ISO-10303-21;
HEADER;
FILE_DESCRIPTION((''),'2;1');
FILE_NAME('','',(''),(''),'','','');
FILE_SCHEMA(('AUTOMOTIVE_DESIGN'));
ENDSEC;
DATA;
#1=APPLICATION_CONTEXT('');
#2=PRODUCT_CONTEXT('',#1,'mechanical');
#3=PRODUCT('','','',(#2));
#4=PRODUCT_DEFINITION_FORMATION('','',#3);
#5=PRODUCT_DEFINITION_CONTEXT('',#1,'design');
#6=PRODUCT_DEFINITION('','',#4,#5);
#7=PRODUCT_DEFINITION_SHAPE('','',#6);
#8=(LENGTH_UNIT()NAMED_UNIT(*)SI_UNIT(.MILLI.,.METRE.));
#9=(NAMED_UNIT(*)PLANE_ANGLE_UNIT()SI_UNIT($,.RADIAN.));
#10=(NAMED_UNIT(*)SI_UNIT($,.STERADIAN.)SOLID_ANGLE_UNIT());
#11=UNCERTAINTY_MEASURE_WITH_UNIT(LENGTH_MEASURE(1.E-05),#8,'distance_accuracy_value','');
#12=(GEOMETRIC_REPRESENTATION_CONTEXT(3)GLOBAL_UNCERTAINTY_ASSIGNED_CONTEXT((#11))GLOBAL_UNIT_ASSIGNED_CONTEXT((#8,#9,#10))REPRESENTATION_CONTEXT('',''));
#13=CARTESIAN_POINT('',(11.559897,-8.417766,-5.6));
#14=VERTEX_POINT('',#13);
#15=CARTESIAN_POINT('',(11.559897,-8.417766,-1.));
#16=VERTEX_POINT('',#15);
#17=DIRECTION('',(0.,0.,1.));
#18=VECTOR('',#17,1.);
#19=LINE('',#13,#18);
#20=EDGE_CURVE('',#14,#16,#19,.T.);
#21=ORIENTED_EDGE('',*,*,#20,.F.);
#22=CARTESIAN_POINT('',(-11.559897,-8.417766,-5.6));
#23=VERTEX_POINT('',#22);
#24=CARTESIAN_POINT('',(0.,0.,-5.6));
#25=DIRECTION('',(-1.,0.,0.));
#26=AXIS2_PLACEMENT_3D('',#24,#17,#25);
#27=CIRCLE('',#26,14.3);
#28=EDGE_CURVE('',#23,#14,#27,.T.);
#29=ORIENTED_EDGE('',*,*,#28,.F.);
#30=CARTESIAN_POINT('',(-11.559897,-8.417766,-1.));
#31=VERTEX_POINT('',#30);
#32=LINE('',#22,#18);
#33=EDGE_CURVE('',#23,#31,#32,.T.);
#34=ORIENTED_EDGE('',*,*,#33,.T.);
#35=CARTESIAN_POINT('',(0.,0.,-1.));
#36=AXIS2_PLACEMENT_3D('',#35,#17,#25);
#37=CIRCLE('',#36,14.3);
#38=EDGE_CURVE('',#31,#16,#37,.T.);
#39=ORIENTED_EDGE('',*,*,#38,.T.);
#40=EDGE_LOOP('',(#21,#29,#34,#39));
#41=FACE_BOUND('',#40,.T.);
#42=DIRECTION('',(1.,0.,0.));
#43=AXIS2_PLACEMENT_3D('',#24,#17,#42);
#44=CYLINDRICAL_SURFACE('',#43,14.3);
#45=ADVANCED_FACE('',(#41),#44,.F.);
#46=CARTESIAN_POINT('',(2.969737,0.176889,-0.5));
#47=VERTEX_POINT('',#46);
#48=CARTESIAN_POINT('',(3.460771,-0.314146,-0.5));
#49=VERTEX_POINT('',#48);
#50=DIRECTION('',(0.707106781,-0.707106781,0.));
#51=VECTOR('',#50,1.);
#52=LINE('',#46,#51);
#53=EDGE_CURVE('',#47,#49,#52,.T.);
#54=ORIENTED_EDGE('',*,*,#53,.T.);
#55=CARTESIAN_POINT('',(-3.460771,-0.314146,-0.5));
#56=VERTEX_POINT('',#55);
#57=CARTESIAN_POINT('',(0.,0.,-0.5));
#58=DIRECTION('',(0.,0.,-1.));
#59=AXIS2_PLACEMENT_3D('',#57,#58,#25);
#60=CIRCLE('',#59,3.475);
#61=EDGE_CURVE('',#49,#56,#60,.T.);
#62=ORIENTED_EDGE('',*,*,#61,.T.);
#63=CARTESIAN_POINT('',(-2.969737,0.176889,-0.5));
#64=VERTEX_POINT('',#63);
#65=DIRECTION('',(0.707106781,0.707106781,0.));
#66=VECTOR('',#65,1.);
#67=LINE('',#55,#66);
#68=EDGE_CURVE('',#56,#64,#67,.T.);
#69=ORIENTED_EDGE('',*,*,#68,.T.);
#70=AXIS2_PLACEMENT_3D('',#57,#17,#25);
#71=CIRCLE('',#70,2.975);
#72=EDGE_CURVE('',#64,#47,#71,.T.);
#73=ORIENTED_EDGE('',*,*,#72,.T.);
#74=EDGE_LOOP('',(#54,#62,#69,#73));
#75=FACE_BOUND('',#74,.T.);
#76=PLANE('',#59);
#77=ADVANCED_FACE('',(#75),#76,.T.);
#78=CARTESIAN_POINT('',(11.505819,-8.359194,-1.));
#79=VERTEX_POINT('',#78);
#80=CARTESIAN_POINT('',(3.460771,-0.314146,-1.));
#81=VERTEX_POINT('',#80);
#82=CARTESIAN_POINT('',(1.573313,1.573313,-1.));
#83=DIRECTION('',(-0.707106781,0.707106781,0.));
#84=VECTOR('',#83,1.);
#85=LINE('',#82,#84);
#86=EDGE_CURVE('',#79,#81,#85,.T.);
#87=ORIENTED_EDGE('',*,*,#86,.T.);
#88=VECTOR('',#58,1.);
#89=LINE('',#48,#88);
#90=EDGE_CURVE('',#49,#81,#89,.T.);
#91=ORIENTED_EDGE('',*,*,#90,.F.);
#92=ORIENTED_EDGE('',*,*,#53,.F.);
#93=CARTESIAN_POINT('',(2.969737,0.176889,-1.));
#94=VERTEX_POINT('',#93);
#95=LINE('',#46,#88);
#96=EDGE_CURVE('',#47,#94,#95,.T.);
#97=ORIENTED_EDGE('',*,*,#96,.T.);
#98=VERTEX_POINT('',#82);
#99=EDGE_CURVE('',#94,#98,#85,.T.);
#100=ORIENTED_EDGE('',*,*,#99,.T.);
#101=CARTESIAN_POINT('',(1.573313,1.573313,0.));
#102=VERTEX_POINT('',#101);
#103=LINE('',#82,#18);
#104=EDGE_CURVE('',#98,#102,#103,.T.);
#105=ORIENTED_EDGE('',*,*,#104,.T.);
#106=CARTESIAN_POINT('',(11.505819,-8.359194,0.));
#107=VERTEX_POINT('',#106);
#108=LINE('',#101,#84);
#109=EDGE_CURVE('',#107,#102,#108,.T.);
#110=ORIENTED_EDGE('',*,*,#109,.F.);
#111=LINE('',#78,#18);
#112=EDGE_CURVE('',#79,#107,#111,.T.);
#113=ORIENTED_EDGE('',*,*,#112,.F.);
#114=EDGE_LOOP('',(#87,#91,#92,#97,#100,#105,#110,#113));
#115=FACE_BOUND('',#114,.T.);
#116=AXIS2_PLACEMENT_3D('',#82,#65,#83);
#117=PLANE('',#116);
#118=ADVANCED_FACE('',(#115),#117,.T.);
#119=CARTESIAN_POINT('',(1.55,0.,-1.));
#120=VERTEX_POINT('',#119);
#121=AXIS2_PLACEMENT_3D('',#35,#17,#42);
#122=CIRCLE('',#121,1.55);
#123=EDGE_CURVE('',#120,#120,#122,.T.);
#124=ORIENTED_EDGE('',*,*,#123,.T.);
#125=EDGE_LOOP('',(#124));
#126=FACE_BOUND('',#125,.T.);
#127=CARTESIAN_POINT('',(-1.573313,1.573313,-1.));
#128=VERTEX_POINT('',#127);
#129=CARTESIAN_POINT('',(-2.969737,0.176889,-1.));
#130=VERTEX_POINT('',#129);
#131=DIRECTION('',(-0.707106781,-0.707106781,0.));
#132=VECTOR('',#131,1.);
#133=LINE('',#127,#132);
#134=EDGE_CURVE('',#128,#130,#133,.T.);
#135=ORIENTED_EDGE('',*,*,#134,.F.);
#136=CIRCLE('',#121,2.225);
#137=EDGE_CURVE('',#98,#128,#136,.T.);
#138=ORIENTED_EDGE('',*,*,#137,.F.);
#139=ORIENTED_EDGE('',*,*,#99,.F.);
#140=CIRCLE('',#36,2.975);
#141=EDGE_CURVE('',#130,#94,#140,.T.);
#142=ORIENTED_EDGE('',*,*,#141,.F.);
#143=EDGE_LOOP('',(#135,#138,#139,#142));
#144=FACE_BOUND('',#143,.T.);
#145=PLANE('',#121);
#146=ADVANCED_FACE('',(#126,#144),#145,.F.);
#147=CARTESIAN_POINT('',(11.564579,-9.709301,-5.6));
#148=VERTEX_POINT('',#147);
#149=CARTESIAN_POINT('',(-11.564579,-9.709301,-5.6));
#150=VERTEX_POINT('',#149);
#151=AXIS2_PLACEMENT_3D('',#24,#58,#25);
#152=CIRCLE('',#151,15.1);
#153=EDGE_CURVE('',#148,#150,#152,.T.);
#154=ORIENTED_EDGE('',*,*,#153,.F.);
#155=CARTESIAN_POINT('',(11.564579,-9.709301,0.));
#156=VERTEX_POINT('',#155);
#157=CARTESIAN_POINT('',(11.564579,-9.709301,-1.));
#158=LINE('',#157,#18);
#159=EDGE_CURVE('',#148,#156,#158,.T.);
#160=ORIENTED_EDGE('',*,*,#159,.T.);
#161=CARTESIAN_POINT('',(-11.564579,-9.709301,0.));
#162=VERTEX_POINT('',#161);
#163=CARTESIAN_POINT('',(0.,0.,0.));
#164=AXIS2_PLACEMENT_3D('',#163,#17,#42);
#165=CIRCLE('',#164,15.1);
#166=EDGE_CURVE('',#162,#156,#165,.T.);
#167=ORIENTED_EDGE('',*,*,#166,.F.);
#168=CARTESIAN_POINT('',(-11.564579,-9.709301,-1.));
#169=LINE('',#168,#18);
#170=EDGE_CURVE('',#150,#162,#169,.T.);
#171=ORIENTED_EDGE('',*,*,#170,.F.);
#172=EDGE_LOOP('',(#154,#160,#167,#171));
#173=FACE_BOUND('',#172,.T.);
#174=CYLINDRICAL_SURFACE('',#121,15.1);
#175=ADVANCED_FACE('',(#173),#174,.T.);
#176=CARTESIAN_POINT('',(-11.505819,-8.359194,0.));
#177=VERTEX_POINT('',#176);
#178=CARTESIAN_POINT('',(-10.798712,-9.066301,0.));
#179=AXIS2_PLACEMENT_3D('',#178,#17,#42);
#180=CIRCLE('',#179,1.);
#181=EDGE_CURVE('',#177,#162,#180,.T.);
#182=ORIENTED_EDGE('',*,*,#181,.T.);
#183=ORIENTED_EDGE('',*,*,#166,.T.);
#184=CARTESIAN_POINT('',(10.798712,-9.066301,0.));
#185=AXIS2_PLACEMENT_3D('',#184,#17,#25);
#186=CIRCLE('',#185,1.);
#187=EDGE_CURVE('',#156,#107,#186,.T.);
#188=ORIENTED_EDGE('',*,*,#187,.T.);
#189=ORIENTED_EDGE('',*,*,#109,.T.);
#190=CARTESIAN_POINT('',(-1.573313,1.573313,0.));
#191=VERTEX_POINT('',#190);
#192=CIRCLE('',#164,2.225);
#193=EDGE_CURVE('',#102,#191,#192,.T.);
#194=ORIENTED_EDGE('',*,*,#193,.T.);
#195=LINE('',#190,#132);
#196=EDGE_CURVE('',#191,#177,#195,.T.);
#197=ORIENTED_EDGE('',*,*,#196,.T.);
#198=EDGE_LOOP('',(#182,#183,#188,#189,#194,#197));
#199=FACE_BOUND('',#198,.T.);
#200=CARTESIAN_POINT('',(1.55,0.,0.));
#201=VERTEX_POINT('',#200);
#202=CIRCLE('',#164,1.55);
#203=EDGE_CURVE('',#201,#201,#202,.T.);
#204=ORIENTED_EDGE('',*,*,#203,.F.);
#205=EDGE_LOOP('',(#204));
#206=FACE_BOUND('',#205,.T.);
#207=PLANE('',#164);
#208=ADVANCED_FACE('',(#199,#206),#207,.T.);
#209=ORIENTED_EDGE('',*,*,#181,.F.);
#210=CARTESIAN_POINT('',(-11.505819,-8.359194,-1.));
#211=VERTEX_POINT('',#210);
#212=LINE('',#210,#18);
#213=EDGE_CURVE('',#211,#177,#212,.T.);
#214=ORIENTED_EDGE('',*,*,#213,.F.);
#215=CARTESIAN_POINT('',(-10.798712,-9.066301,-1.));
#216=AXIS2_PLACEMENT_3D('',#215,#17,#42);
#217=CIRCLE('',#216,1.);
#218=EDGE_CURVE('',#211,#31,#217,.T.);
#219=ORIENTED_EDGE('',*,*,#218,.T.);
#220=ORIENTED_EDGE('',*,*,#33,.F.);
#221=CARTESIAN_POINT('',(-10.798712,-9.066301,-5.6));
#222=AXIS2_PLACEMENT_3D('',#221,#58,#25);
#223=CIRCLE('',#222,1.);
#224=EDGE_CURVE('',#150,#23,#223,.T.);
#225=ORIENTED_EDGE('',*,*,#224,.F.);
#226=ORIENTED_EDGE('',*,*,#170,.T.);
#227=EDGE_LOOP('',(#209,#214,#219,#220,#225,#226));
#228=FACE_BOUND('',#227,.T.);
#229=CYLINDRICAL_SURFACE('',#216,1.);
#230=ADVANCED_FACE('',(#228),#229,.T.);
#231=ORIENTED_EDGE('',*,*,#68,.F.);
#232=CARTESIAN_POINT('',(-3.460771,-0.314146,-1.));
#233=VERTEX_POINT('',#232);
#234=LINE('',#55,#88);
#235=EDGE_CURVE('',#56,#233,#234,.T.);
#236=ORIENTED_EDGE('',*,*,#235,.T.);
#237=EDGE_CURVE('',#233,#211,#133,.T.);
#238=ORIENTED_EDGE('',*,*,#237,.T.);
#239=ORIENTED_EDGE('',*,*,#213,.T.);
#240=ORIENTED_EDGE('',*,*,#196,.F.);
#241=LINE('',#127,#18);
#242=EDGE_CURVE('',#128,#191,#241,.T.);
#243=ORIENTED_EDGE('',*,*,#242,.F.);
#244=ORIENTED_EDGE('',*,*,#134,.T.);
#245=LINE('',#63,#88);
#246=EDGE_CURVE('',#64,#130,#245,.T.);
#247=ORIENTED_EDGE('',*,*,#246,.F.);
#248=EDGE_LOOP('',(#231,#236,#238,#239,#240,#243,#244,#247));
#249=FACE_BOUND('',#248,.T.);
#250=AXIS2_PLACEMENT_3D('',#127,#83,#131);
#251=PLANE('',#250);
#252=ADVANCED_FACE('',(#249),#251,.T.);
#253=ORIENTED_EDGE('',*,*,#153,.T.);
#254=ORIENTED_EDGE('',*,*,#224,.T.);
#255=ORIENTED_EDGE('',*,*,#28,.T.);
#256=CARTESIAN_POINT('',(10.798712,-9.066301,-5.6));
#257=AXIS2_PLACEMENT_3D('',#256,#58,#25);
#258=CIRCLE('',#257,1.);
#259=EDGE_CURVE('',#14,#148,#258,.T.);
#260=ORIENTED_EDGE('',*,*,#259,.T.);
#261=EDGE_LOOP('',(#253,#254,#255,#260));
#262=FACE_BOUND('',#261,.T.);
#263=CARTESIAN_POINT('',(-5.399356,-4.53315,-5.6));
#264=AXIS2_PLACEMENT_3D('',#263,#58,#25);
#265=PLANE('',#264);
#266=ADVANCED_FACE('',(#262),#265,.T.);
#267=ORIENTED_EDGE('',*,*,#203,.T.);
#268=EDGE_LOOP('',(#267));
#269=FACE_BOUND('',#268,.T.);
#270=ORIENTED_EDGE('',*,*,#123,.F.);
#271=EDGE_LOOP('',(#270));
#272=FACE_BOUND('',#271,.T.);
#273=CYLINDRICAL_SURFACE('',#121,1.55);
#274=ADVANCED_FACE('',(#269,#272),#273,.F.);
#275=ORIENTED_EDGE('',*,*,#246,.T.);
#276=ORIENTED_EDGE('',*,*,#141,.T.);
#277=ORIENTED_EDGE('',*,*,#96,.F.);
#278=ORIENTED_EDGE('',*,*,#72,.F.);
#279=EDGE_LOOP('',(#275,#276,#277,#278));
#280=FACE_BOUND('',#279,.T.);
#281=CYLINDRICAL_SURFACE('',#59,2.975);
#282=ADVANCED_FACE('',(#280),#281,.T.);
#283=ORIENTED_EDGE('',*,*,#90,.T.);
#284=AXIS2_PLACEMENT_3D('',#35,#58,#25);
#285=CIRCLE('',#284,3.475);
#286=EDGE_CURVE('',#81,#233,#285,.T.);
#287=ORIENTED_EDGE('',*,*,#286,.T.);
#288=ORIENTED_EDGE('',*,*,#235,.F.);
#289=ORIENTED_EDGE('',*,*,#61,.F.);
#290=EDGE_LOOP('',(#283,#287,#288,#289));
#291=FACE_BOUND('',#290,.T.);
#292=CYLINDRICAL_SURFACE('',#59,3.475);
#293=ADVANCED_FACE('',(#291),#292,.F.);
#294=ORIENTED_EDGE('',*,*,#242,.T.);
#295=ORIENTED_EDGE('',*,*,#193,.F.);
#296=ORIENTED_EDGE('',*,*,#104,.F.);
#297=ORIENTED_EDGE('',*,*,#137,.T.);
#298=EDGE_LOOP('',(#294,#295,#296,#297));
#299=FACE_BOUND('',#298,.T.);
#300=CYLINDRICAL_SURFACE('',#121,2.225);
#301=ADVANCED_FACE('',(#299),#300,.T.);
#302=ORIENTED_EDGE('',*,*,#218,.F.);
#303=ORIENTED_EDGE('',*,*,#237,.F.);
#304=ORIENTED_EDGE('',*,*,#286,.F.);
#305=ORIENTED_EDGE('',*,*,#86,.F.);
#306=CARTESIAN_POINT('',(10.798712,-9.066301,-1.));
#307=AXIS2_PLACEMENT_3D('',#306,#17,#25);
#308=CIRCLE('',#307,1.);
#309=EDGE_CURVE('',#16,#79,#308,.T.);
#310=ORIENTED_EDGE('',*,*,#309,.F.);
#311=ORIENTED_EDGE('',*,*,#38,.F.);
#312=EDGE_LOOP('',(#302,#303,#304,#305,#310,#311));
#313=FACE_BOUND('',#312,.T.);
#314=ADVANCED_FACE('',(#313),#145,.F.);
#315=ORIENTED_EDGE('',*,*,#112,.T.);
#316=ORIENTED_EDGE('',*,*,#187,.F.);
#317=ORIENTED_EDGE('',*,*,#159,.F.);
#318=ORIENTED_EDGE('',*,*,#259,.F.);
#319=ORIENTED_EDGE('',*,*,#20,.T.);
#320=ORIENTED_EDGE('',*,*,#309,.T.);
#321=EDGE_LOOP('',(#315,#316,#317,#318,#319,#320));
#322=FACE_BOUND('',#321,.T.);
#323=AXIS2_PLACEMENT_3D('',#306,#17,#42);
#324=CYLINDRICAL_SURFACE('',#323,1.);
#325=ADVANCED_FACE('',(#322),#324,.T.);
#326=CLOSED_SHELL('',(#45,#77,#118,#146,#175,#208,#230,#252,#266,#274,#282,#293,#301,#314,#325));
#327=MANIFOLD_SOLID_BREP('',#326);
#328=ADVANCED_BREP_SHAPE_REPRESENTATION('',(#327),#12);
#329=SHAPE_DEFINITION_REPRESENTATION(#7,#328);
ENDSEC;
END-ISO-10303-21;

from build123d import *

# Parameters (mm, degrees)
CROQUIS1_R              = 1.55
SALIENTE_EXTRUIR1_DEPTH = 1
CROQUIS3_R              = 1.55
CORTAR_EXTRUIR1_DEPTH   = 0.5
SALIENTE_EXTRUIR2_DEPTH = 4.6


with BuildPart() as part:
    # Croquis1 → Saliente-Extruir1 (new body)
    with BuildSketch(Plane.XY):
        with BuildLine():
            Line((-1.573312588, 1.573312588), (-11.505819195, -8.359194019))
            ThreePointArc((-11.505819195, -8.359194019), (-11.797766675, -9.022819962), (-11.564578543, -9.709300857))
            ThreePointArc((-11.564578543, -9.709300857), (0, -15.1), (11.564578543, -9.709300857))
            ThreePointArc((11.564578543, -9.709300857), (11.797766675, -9.022819962), (11.505819195, -8.359194019))
            Line((11.505819195, -8.359194019), (1.573312588, 1.573312588))
            ThreePointArc((1.573312588, 1.573312588), (0, 2.225), (-1.573312588, 1.573312588))
        make_face()
        Circle(CROQUIS1_R, mode=Mode.SUBTRACT)
    extrude(amount=-SALIENTE_EXTRUIR1_DEPTH)

    # Croquis3 → Cortar-Extruir1 (cut)
    with BuildSketch(Plane(origin=(0, 0, -1), x_dir=(-1, 0, 0), z_dir=(0, 0, -1))):
        Circle(CROQUIS3_R)
        with BuildLine():
            Line((-2.969736593, 0.176888584), (-3.460771197, -0.314146021))
            ThreePointArc((-3.460771197, -0.314146021), (0, -3.475), (3.460771197, -0.314146021))
            Line((3.460771197, -0.314146021), (2.969736593, 0.176888584))
            ThreePointArc((2.969736593, 0.176888584), (0, -2.975), (-2.969736593, 0.176888584))
        make_face()
    extrude(amount=-CORTAR_EXTRUIR1_DEPTH, mode=Mode.SUBTRACT)

    # Croquis4 → Saliente-Extruir2 (add)
    with BuildSketch(Plane(origin=(0, 0, -1), x_dir=(-1, 0, 0), z_dir=(0, 0, -1))):
        with BuildLine():
            ThreePointArc((-11.559897122, -8.41776565), (0, -14.3), (11.559897122, -8.41776565))
            ThreePointArc((11.559897122, -8.41776565), (11.798705845, -9.062676129), (11.564578543, -9.709300857))
            ThreePointArc((11.564578543, -9.709300857), (0, -15.1), (-11.564578543, -9.709300857))
            ThreePointArc((-11.564578543, -9.709300857), (-11.798705845, -9.062676129), (-11.559897122, -8.41776565))
        make_face()
    extrude(amount=SALIENTE_EXTRUIR2_DEPTH)


solid = part.part
